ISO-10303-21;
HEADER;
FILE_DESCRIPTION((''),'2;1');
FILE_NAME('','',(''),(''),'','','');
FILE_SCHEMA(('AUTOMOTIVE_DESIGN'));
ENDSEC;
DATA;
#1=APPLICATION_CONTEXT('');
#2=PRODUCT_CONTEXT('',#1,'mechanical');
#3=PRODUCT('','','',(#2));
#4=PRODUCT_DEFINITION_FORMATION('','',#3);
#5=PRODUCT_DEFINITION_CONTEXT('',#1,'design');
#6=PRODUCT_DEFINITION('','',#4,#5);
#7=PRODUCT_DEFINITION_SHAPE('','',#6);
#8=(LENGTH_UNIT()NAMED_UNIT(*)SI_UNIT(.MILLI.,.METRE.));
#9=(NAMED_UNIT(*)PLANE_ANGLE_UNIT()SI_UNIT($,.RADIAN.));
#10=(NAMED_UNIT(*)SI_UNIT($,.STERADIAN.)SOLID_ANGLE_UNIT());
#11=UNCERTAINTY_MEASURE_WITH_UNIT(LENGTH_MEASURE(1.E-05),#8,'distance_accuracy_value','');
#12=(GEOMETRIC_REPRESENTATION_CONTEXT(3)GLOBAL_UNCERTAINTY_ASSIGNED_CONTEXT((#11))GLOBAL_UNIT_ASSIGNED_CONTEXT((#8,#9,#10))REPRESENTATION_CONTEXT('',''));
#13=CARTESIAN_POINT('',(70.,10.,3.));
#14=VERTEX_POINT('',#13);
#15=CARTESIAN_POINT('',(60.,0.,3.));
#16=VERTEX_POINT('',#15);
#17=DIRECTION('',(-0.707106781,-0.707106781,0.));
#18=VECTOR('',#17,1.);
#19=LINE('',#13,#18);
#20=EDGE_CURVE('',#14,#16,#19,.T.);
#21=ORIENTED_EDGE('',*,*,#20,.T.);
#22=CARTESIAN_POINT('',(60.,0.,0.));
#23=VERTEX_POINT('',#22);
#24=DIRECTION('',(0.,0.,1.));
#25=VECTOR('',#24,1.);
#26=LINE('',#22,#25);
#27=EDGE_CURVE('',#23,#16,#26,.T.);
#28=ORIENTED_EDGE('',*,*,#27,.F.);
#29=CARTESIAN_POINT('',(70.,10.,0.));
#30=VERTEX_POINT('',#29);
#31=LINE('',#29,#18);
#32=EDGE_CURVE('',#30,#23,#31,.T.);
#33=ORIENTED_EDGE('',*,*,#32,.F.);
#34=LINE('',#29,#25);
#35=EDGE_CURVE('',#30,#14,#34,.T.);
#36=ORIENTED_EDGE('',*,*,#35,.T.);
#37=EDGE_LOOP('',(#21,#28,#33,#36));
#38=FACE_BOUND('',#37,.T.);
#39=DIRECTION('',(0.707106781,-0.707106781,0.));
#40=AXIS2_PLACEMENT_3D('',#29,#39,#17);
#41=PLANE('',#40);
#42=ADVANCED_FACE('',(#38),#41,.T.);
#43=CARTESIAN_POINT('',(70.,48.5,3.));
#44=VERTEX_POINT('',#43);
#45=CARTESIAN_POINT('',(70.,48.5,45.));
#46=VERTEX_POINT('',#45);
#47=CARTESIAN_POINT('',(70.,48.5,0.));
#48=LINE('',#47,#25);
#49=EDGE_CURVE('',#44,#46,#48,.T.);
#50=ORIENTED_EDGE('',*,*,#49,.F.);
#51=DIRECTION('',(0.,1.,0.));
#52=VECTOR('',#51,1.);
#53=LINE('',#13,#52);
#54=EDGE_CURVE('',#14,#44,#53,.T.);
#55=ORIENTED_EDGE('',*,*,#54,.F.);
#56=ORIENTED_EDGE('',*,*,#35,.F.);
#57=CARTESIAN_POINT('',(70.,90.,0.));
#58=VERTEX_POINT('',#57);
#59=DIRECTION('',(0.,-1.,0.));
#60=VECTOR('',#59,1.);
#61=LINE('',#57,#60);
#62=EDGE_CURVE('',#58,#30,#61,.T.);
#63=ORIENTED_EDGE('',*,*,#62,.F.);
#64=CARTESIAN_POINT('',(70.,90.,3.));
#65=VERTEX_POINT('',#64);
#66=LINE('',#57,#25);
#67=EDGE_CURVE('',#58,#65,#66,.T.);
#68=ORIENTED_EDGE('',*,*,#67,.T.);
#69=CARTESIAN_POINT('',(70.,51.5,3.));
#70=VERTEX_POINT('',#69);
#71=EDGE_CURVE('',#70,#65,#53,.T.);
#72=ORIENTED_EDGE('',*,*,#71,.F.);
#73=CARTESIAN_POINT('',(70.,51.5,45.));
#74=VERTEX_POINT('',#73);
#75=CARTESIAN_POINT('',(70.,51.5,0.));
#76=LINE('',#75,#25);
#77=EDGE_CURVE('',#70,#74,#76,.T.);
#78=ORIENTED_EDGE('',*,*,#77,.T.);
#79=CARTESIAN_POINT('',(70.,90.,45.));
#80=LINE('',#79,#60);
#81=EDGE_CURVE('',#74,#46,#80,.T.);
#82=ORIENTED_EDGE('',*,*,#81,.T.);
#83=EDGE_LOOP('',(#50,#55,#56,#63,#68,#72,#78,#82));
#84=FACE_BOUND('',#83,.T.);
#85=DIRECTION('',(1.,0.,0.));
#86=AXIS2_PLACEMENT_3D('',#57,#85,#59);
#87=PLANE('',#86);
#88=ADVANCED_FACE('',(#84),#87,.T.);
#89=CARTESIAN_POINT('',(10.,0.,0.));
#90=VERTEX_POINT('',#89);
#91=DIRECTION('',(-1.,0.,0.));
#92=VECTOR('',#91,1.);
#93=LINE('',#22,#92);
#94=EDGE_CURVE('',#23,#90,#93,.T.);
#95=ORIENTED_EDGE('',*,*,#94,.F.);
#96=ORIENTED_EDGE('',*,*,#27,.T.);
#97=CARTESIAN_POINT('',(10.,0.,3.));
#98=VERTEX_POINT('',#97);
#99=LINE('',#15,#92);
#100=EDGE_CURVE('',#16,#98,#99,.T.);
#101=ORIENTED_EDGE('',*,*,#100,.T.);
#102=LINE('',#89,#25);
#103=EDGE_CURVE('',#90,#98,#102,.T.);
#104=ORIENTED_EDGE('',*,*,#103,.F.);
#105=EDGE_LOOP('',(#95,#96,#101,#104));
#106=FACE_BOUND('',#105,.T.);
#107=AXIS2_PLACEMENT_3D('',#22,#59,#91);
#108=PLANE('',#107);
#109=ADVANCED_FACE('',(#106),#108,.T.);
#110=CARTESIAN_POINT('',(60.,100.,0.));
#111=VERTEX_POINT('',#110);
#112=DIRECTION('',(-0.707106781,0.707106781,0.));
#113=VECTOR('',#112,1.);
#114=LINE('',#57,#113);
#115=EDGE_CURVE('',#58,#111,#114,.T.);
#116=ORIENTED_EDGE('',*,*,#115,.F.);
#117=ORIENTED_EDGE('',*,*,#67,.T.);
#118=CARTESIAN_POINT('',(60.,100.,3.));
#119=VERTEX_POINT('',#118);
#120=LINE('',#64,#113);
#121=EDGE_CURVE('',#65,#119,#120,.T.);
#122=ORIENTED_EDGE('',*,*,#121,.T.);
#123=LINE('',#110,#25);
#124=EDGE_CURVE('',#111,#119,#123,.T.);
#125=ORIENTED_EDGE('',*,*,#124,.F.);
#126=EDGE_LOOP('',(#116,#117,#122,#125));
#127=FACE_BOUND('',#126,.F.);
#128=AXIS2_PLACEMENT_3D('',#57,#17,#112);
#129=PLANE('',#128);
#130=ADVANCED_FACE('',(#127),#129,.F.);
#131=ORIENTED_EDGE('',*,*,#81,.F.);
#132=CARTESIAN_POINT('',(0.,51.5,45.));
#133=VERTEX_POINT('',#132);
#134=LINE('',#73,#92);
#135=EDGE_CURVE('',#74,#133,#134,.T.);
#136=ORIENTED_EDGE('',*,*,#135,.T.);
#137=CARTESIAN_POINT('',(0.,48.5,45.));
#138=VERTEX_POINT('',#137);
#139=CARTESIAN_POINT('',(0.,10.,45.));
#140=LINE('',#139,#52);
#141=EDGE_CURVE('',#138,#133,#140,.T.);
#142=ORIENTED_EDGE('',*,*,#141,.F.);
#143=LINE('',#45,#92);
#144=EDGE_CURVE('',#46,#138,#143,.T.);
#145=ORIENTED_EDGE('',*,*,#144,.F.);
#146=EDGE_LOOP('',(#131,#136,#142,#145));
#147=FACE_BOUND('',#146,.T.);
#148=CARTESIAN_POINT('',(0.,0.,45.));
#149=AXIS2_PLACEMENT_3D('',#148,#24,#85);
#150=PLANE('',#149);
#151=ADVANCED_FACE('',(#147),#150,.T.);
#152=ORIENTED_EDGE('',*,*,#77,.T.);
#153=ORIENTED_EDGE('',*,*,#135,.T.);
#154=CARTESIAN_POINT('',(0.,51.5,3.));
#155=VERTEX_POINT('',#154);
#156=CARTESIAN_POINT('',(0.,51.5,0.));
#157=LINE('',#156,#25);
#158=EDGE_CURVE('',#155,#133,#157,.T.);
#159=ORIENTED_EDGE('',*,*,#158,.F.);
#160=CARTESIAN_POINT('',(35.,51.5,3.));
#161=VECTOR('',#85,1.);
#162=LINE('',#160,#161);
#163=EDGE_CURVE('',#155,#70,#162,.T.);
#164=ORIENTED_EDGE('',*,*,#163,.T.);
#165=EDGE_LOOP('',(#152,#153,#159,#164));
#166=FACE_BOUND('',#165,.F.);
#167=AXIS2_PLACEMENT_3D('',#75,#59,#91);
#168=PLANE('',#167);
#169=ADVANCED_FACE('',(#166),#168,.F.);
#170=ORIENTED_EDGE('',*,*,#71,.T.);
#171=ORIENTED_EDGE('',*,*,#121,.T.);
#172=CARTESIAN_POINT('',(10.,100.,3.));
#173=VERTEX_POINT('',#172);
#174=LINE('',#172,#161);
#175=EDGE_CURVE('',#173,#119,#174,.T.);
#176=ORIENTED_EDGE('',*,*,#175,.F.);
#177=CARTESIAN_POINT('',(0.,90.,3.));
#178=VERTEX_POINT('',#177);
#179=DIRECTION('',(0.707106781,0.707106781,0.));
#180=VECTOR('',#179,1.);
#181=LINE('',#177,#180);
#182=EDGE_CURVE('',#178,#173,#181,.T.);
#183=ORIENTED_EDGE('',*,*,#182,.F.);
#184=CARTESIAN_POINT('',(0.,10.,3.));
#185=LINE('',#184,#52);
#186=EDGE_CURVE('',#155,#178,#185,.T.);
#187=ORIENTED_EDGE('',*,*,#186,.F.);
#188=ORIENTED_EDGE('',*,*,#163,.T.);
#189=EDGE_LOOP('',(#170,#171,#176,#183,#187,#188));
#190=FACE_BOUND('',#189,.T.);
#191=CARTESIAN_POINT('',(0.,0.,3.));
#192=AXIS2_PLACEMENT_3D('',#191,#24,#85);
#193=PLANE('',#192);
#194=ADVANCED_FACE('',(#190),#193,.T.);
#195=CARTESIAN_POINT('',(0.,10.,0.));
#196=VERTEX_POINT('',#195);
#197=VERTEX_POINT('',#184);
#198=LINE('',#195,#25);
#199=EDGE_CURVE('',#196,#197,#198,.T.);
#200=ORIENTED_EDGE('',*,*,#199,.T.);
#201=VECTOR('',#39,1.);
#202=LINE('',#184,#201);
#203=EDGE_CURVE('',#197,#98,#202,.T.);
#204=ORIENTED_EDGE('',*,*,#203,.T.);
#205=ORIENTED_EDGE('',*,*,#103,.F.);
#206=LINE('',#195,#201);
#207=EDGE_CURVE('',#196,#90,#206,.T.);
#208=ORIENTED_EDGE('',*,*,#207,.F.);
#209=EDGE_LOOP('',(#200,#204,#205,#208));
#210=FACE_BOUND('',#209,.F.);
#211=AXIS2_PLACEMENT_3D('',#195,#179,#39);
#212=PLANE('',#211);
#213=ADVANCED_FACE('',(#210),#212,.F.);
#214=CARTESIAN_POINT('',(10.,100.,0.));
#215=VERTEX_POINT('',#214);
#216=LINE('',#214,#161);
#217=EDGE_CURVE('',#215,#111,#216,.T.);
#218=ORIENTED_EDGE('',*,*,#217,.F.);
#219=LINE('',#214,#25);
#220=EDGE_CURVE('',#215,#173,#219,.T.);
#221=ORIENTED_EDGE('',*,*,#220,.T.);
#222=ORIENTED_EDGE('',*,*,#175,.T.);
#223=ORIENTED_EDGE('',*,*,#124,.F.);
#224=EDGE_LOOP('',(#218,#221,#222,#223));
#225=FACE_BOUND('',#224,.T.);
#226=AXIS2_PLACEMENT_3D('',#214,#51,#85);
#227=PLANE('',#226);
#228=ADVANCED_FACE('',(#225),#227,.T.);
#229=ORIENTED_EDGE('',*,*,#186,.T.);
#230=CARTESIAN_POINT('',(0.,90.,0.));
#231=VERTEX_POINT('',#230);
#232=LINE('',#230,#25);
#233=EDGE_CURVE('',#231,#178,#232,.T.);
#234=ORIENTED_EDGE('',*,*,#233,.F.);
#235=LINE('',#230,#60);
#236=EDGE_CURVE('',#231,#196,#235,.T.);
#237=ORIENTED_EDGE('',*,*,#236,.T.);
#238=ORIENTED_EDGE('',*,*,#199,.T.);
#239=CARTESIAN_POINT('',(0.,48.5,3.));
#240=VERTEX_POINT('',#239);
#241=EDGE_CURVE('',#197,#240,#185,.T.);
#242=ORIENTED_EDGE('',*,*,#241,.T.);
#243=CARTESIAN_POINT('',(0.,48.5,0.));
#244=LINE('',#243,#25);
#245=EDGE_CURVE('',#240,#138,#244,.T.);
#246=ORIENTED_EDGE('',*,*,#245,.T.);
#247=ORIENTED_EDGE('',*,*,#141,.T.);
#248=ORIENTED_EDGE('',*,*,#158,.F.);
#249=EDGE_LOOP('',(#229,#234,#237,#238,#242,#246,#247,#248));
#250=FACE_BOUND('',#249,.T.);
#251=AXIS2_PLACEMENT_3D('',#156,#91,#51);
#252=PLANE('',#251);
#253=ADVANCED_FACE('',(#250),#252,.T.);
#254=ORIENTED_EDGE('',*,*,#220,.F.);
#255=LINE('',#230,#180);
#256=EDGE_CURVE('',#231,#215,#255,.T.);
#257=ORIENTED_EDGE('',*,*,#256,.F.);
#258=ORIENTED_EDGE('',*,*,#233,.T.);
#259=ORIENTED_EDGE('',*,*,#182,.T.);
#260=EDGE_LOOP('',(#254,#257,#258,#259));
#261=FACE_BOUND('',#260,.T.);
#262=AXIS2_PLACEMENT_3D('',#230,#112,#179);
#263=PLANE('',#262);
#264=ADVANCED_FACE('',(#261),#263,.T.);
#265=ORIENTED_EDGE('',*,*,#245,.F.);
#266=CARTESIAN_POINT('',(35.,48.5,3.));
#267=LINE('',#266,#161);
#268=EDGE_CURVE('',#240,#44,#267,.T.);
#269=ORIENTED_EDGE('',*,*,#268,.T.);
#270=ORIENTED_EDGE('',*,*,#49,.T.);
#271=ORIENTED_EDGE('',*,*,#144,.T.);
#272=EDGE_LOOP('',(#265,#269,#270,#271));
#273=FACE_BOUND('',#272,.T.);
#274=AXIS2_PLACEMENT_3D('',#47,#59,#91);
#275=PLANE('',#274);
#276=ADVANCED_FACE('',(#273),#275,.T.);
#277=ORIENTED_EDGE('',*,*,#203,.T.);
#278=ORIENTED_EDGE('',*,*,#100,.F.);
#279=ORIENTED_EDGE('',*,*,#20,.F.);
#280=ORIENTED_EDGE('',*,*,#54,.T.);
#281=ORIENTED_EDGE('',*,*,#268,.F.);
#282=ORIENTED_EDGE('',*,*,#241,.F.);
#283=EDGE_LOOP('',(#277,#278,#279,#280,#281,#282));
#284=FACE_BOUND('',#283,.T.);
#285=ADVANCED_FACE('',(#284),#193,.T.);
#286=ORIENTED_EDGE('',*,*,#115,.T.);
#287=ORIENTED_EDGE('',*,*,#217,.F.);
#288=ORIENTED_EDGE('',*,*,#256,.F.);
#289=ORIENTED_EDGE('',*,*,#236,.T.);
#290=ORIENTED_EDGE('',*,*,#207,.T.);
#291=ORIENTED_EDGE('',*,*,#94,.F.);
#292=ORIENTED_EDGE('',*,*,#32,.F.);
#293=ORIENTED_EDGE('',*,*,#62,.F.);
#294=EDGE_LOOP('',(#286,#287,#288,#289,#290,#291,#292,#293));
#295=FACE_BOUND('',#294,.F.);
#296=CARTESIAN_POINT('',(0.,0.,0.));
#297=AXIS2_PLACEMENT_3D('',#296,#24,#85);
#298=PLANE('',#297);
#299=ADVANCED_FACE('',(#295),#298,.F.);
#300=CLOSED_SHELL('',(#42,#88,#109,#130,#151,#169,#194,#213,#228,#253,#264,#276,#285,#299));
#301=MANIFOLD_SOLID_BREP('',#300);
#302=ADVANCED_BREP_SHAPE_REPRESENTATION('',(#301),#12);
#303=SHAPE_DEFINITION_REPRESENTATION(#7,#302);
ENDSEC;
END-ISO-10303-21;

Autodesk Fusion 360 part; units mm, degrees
sketch "Sketch1" plane through (0, 0, 0) normal (0, 0, 1) x (1, 0, 0)
  line L0 (0, 90) -> (10, 100)
  line L1 (70, 90) -> (60, 100)
  line L2 (0, 10) -> (10, 0)
  line L3 (70, 10) -> (60, 0)
  line L4 (10, 100) -> (60, 100)
  line L5 (70, 90) -> (70, 10)
  line L6 (60, 0) -> (10, 0)
  line L7 (0, 10) -> (0, 90)
  line L8 (70, 51.5) -> (0, 51.5)
  line L9 (70, 48.5) -> (0, 48.5)
extrude "Extrude1" add sketch "Sketch1" along normal blind 3 makes body 1
extrude "Extrude2" add sketch "Sketch1" along normal blind 45 separate body contours L5 L7 L8 L9 makes body 2
combine "Combine1" operation add target body 1 tool bodies 2
